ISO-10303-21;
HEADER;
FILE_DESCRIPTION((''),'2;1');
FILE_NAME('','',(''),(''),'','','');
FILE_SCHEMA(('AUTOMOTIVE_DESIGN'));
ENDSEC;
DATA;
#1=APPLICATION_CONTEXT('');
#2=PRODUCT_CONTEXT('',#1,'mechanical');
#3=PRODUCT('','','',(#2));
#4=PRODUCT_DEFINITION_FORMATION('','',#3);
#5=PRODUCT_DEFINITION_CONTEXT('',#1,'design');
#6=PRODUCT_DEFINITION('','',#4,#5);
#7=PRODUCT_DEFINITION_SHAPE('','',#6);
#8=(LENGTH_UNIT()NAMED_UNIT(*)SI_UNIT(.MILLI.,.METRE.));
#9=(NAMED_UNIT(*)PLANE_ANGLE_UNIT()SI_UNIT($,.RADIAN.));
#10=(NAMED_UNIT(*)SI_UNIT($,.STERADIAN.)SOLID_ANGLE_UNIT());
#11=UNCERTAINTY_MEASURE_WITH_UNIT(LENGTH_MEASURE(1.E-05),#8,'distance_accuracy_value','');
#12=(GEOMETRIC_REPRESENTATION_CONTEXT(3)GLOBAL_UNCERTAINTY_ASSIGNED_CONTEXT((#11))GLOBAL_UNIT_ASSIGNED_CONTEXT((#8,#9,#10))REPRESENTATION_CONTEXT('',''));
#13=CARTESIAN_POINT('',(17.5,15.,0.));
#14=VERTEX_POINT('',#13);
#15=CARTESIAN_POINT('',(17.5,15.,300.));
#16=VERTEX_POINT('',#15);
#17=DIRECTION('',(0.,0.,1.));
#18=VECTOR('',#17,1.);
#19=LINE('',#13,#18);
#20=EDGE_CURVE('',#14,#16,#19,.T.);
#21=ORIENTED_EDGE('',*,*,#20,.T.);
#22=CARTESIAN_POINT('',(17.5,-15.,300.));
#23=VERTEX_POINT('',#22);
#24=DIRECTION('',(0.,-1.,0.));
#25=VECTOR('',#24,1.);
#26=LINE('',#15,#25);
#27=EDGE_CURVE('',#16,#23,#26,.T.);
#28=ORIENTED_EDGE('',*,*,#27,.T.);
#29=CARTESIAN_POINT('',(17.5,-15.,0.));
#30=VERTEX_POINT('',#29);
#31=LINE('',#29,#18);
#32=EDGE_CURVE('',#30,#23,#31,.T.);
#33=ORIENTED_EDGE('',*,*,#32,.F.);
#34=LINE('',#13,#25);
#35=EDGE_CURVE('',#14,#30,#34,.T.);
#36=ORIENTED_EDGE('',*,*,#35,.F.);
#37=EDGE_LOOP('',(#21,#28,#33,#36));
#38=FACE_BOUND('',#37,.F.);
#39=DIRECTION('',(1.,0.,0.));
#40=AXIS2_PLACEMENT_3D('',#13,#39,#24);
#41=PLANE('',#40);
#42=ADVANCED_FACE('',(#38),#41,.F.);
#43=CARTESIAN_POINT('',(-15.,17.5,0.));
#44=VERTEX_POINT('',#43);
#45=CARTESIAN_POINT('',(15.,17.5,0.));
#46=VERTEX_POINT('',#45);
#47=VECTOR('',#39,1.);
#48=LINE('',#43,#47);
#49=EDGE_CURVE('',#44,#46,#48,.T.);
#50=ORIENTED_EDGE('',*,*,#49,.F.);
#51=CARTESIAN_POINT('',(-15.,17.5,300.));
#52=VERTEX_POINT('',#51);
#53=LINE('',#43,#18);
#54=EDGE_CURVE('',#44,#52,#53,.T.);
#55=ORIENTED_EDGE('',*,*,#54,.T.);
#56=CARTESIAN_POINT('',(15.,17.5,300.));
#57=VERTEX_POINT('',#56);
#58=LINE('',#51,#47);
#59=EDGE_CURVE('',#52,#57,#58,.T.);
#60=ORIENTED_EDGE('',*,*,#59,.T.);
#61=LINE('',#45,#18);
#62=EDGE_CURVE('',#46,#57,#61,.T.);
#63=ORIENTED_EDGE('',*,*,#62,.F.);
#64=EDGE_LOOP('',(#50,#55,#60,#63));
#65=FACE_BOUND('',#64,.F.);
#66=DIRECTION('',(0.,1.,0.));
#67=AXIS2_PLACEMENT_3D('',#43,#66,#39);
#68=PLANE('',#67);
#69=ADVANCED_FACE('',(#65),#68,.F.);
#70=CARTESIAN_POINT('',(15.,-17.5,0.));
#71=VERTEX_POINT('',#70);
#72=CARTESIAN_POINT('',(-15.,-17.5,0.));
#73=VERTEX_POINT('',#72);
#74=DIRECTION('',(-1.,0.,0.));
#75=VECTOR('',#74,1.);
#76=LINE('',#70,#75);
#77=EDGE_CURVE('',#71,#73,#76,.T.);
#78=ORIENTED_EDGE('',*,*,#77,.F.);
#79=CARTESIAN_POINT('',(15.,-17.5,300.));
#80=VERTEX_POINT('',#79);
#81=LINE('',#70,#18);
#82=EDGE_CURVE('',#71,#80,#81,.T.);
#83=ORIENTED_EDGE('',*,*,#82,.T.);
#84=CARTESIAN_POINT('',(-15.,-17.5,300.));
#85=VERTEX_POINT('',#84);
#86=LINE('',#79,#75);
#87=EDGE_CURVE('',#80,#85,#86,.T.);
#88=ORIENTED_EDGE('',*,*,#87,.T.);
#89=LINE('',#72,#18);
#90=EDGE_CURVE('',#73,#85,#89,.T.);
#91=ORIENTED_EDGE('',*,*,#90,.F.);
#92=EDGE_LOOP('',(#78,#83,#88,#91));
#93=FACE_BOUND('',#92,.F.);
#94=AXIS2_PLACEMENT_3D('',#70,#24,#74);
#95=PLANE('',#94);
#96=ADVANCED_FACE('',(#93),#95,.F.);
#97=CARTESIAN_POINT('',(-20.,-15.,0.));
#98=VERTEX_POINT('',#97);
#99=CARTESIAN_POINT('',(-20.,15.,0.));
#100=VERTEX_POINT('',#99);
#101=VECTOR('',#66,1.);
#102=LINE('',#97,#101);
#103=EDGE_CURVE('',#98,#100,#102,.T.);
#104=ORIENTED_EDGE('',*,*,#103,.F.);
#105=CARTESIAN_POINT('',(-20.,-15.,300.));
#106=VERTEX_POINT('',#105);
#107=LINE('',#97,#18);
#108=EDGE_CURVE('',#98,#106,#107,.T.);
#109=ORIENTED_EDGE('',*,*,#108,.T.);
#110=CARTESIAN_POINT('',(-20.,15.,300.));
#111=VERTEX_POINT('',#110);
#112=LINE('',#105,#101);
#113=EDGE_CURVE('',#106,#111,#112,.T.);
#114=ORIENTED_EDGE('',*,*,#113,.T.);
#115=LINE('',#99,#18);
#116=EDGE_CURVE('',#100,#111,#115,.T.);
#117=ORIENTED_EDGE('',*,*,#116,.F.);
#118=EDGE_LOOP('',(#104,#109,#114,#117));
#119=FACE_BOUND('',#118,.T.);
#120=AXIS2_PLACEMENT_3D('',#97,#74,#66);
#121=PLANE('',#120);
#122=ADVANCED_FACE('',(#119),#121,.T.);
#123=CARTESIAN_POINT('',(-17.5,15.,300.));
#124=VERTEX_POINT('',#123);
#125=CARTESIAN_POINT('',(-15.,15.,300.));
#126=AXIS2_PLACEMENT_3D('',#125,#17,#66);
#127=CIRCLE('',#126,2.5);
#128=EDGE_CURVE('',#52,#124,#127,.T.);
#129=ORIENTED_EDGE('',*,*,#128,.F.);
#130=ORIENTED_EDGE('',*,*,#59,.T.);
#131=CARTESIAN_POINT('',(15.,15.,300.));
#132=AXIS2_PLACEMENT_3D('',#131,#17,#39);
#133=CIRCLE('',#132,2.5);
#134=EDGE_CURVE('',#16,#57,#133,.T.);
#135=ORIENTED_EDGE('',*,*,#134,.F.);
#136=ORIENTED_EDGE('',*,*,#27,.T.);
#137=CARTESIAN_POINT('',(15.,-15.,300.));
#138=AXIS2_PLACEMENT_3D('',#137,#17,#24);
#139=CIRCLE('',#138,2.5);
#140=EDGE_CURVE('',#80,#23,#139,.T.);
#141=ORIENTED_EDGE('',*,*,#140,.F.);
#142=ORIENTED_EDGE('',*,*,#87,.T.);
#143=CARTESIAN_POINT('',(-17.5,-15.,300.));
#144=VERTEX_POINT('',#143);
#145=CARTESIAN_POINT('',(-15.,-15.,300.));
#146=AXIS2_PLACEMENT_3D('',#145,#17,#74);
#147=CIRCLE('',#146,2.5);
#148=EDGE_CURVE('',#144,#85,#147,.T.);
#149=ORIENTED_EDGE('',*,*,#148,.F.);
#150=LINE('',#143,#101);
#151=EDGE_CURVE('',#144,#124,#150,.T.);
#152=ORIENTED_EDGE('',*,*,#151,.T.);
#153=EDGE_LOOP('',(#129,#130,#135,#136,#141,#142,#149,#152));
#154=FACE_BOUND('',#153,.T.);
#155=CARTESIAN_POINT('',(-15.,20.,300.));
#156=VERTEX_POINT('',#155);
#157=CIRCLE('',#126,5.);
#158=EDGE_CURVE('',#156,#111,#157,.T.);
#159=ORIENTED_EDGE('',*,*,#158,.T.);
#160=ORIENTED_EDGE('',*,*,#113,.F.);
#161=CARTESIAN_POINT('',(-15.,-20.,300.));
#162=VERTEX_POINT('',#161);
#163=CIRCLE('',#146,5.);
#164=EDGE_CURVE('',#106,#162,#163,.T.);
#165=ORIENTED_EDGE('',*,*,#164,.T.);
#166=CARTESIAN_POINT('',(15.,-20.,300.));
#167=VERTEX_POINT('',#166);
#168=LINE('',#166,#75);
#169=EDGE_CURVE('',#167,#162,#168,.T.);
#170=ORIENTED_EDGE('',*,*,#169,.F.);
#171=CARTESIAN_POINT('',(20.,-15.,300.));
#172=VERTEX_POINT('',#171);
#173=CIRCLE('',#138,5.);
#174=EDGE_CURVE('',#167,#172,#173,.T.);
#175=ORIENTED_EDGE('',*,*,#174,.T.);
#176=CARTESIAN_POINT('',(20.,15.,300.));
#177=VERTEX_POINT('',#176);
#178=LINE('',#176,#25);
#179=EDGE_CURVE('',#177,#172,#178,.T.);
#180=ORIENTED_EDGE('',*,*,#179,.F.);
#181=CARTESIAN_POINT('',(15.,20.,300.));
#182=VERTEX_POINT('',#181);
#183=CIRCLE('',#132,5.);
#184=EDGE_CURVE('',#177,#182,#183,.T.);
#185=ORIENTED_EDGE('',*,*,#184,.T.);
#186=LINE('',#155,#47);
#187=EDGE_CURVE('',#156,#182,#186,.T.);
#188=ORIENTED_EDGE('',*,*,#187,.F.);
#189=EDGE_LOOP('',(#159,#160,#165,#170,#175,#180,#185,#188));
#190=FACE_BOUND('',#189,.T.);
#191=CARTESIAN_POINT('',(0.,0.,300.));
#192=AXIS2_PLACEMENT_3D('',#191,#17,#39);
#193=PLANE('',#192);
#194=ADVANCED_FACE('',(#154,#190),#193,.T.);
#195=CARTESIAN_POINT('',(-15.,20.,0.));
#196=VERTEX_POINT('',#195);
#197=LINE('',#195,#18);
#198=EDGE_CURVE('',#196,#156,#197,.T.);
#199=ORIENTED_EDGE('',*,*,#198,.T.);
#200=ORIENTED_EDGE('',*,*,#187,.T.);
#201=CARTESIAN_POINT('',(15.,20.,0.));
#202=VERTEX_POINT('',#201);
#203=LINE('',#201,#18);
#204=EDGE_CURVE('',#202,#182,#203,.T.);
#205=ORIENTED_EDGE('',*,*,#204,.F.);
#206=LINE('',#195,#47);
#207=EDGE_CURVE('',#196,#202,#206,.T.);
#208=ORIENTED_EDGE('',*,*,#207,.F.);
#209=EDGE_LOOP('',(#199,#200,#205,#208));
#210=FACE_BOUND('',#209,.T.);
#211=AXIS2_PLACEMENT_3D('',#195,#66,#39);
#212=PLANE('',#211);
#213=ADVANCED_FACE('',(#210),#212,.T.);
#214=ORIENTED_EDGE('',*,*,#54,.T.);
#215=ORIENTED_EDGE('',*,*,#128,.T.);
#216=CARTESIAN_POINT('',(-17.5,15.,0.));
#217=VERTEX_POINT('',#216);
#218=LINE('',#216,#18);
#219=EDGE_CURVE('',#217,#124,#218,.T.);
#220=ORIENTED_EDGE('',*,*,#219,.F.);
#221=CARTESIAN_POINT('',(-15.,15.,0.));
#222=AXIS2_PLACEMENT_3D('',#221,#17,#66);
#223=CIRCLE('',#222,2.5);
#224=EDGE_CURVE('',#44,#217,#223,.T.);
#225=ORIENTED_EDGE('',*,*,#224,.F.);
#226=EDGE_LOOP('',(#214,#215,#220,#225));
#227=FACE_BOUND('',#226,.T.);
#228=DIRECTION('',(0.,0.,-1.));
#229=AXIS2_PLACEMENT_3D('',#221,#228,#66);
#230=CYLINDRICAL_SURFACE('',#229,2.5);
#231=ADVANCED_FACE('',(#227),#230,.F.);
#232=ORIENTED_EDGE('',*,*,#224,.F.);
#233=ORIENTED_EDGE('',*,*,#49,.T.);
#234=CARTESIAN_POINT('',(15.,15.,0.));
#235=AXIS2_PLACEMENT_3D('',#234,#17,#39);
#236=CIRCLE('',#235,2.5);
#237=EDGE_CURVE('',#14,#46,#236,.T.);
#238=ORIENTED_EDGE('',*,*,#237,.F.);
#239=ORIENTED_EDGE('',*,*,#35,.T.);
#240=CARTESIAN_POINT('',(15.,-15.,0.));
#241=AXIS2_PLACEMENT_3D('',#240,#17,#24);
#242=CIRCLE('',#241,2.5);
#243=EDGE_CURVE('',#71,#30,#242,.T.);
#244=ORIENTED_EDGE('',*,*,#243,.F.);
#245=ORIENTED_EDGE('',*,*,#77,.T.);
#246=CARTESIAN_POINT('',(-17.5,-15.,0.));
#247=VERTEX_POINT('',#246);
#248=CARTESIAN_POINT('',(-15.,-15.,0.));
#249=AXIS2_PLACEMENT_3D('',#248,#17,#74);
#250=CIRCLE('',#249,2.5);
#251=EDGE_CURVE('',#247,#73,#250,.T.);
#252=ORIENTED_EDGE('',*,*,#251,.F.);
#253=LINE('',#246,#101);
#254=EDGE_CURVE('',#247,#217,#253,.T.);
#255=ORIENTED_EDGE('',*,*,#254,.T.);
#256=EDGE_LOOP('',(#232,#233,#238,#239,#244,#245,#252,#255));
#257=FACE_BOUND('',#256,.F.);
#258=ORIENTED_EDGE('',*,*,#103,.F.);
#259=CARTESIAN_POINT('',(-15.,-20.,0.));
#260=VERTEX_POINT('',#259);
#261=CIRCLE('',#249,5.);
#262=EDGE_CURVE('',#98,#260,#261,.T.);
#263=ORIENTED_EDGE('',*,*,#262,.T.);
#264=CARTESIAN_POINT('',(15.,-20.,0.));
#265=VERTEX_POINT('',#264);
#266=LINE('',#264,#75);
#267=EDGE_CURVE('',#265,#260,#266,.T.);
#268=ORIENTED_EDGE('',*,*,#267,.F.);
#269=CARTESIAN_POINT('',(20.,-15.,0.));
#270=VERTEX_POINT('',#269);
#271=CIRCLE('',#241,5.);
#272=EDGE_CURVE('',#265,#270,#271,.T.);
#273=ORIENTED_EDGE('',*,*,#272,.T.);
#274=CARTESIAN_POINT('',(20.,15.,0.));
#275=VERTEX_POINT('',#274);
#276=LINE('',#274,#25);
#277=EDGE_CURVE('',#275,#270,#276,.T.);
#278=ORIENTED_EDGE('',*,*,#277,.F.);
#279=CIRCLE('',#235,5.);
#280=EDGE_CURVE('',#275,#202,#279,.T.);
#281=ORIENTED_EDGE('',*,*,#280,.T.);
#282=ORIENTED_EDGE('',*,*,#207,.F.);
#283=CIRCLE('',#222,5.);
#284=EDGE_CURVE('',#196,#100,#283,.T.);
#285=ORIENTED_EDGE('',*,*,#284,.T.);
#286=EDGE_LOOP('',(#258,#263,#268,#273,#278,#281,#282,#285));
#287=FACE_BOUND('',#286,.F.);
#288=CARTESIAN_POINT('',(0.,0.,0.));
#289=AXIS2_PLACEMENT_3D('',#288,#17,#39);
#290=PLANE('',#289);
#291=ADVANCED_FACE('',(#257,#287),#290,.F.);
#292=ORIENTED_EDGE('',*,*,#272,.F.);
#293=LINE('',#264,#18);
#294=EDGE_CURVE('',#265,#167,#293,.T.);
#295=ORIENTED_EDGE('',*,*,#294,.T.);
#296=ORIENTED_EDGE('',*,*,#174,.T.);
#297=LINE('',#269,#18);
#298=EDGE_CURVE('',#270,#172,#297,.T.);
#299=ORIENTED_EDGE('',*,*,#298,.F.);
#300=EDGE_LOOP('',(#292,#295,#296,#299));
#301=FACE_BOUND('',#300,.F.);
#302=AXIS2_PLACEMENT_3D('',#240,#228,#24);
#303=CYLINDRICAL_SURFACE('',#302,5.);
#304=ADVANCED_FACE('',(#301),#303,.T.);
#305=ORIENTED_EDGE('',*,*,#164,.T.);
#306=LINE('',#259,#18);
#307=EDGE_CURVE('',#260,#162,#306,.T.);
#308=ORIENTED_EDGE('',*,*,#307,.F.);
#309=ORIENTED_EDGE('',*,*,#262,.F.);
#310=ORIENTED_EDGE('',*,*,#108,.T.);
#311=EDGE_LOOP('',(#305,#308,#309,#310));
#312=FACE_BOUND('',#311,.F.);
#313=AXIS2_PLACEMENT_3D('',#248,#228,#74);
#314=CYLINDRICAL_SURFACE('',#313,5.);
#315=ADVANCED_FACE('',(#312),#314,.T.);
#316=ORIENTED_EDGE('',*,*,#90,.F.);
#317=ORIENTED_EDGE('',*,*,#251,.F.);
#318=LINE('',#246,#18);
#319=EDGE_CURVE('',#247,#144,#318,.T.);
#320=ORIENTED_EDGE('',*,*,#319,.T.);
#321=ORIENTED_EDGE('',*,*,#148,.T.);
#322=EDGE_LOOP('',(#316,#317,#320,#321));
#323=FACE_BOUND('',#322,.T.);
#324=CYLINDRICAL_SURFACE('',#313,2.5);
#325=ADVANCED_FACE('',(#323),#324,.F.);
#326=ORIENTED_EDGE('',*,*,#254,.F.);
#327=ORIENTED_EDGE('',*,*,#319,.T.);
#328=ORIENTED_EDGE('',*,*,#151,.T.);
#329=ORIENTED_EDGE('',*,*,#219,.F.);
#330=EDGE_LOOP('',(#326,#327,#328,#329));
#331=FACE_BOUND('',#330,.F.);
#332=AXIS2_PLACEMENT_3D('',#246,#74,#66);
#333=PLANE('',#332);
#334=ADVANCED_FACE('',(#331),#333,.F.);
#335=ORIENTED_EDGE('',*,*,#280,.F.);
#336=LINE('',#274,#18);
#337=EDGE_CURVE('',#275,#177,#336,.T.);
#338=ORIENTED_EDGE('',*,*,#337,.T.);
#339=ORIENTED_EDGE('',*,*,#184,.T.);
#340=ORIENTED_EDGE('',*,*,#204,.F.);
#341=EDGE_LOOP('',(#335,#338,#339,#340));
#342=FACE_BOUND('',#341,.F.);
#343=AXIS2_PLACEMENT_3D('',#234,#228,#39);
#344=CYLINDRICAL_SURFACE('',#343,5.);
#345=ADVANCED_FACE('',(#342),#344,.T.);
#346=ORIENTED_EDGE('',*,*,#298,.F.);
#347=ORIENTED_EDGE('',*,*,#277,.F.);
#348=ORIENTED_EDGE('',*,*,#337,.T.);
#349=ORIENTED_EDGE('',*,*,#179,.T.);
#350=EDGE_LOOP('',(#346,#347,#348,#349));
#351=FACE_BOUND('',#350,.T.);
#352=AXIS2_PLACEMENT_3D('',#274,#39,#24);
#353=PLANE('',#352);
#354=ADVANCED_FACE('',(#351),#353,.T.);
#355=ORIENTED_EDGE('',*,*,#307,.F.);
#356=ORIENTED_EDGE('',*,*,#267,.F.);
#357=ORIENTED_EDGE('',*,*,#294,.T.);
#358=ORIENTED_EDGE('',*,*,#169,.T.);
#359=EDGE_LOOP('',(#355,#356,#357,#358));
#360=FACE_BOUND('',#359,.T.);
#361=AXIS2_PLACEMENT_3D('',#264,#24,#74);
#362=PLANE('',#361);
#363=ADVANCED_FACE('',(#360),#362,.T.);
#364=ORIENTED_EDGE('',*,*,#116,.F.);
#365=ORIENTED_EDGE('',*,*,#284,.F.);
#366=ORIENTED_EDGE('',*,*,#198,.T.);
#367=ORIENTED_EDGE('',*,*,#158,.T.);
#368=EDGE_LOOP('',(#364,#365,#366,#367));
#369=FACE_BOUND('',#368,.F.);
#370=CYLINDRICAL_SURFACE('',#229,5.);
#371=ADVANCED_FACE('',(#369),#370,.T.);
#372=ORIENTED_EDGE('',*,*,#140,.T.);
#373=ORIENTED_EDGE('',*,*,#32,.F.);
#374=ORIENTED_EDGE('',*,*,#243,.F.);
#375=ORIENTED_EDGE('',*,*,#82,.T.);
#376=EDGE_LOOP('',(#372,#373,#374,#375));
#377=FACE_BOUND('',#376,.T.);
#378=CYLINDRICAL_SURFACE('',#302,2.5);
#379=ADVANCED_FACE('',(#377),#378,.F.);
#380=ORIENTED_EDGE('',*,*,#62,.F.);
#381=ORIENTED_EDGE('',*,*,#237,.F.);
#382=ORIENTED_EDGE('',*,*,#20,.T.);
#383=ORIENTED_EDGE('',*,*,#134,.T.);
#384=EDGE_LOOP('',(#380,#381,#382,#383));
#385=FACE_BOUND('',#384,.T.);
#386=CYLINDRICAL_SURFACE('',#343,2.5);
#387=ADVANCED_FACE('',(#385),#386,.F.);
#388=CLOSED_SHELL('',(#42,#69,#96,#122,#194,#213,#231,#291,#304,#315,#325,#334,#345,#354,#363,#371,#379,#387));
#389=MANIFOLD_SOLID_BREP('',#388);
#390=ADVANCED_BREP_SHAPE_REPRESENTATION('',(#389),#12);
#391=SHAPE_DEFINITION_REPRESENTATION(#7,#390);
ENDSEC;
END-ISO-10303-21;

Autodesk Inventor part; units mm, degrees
ref_plane "YZ Plane" through (0, 0, 0) normal (1, 0, 0) x (0, 1, 0)
ref_plane "Start Plane" through (0, 0, 0) normal (0, 0, 1) x (1, 0, 0)
ref_plane "End Plane" through (0, 0, 300) normal (0, 0, 1) x (1, 0, 0)
sketch "Sketch" plane through (0, 0, 0) normal (0, 0, 1) x (1, 0, 0)
  line L0 (-20, -15) -> (-20, 15)
  line L1 (-15, 20) -> (15, 20)
  line L2 (20, 15) -> (20, -15)
  line L3 (15, -20) -> (-15, -20)
  arc A0 (-20, -15) -> (-15, -20) centre (-15, -15) ccw
  arc A1 (-15, 20) -> (-20, 15) centre (-15, 15) ccw
  arc A2 (20, 15) -> (15, 20) centre (15, 15) ccw
  arc A3 (15, -20) -> (20, -15) centre (15, -15) ccw
  arc A4 (-15, 17.5) -> (-17.5, 15) centre (-15, 15) ccw
  line L4 (-15, 17.5) -> (15, 17.5)
  arc A5 (17.5, 15) -> (15, 17.5) centre (15, 15) ccw
  line L5 (17.5, 15) -> (17.5, -15)
  arc A6 (15, -17.5) -> (17.5, -15) centre (15, -15) ccw
  line L6 (15, -17.5) -> (-15, -17.5)
  arc A7 (-17.5, -15) -> (-15, -17.5) centre (-15, -15) ccw
  line L7 (-17.5, -15) -> (-17.5, 15)
  line L8 (0, 29.4497) -> (0, -29.4497) construction
  line L9 (-29.4497, 0) -> (29.4497, 0) construction
  dimension "d7" = 5
  dimension "d10" = 40
  dimension "d11" = 40
  dimension "d12" = 2.5
  dimension "d15" = 20
  dimension "d16" = 20
extrude "Body" add sketch "Sketch" along normal up to surface (300 mm away) from surface at 0
sketch "Sketch3" plane through (0, 0, 0) normal (0, 0, 1) x (1, 0, 0)
  line L0 (0, 0) -> (10, 0)
ref_plane "Work Plane3" through (0, 0, 0) normal (0, -1, 0) x (1, 0, 0)
sketch "Sketch4" plane through (0, 0, 0) normal (0, -1, 0) x (1, 0, 0)
  line L0 (-2, 0) -> (12, 0)
  line L1 (-2, 300) -> (12, 300)
  dimension "d18" = 300
equation "\"d7\" = G_IR"
equation "\"d10\" = G_H"
equation "\"d11\" = G_W"
equation "\"d12\" = G_T"
equation "\"d15\" = 0.5 * d10"
equation "\"d16\" = 0.5 * d11"
equation "\"d3\" = G_L"
equation "\"G_W\" = 40"
equation "\"G_H\" = 40"
equation "\"G_T\" = 2.5"
equation "\"G_IR\" = 5"
equation "\"G_L\" = d18"
equation "\"G_OFFSET_START\" = 0"
equation "\"G_OFFSET_END\" = 0"
properties part number "BS 4848 - 40 x 40 x 2.5 HFRHS - 300" material "Steel, Mild"
